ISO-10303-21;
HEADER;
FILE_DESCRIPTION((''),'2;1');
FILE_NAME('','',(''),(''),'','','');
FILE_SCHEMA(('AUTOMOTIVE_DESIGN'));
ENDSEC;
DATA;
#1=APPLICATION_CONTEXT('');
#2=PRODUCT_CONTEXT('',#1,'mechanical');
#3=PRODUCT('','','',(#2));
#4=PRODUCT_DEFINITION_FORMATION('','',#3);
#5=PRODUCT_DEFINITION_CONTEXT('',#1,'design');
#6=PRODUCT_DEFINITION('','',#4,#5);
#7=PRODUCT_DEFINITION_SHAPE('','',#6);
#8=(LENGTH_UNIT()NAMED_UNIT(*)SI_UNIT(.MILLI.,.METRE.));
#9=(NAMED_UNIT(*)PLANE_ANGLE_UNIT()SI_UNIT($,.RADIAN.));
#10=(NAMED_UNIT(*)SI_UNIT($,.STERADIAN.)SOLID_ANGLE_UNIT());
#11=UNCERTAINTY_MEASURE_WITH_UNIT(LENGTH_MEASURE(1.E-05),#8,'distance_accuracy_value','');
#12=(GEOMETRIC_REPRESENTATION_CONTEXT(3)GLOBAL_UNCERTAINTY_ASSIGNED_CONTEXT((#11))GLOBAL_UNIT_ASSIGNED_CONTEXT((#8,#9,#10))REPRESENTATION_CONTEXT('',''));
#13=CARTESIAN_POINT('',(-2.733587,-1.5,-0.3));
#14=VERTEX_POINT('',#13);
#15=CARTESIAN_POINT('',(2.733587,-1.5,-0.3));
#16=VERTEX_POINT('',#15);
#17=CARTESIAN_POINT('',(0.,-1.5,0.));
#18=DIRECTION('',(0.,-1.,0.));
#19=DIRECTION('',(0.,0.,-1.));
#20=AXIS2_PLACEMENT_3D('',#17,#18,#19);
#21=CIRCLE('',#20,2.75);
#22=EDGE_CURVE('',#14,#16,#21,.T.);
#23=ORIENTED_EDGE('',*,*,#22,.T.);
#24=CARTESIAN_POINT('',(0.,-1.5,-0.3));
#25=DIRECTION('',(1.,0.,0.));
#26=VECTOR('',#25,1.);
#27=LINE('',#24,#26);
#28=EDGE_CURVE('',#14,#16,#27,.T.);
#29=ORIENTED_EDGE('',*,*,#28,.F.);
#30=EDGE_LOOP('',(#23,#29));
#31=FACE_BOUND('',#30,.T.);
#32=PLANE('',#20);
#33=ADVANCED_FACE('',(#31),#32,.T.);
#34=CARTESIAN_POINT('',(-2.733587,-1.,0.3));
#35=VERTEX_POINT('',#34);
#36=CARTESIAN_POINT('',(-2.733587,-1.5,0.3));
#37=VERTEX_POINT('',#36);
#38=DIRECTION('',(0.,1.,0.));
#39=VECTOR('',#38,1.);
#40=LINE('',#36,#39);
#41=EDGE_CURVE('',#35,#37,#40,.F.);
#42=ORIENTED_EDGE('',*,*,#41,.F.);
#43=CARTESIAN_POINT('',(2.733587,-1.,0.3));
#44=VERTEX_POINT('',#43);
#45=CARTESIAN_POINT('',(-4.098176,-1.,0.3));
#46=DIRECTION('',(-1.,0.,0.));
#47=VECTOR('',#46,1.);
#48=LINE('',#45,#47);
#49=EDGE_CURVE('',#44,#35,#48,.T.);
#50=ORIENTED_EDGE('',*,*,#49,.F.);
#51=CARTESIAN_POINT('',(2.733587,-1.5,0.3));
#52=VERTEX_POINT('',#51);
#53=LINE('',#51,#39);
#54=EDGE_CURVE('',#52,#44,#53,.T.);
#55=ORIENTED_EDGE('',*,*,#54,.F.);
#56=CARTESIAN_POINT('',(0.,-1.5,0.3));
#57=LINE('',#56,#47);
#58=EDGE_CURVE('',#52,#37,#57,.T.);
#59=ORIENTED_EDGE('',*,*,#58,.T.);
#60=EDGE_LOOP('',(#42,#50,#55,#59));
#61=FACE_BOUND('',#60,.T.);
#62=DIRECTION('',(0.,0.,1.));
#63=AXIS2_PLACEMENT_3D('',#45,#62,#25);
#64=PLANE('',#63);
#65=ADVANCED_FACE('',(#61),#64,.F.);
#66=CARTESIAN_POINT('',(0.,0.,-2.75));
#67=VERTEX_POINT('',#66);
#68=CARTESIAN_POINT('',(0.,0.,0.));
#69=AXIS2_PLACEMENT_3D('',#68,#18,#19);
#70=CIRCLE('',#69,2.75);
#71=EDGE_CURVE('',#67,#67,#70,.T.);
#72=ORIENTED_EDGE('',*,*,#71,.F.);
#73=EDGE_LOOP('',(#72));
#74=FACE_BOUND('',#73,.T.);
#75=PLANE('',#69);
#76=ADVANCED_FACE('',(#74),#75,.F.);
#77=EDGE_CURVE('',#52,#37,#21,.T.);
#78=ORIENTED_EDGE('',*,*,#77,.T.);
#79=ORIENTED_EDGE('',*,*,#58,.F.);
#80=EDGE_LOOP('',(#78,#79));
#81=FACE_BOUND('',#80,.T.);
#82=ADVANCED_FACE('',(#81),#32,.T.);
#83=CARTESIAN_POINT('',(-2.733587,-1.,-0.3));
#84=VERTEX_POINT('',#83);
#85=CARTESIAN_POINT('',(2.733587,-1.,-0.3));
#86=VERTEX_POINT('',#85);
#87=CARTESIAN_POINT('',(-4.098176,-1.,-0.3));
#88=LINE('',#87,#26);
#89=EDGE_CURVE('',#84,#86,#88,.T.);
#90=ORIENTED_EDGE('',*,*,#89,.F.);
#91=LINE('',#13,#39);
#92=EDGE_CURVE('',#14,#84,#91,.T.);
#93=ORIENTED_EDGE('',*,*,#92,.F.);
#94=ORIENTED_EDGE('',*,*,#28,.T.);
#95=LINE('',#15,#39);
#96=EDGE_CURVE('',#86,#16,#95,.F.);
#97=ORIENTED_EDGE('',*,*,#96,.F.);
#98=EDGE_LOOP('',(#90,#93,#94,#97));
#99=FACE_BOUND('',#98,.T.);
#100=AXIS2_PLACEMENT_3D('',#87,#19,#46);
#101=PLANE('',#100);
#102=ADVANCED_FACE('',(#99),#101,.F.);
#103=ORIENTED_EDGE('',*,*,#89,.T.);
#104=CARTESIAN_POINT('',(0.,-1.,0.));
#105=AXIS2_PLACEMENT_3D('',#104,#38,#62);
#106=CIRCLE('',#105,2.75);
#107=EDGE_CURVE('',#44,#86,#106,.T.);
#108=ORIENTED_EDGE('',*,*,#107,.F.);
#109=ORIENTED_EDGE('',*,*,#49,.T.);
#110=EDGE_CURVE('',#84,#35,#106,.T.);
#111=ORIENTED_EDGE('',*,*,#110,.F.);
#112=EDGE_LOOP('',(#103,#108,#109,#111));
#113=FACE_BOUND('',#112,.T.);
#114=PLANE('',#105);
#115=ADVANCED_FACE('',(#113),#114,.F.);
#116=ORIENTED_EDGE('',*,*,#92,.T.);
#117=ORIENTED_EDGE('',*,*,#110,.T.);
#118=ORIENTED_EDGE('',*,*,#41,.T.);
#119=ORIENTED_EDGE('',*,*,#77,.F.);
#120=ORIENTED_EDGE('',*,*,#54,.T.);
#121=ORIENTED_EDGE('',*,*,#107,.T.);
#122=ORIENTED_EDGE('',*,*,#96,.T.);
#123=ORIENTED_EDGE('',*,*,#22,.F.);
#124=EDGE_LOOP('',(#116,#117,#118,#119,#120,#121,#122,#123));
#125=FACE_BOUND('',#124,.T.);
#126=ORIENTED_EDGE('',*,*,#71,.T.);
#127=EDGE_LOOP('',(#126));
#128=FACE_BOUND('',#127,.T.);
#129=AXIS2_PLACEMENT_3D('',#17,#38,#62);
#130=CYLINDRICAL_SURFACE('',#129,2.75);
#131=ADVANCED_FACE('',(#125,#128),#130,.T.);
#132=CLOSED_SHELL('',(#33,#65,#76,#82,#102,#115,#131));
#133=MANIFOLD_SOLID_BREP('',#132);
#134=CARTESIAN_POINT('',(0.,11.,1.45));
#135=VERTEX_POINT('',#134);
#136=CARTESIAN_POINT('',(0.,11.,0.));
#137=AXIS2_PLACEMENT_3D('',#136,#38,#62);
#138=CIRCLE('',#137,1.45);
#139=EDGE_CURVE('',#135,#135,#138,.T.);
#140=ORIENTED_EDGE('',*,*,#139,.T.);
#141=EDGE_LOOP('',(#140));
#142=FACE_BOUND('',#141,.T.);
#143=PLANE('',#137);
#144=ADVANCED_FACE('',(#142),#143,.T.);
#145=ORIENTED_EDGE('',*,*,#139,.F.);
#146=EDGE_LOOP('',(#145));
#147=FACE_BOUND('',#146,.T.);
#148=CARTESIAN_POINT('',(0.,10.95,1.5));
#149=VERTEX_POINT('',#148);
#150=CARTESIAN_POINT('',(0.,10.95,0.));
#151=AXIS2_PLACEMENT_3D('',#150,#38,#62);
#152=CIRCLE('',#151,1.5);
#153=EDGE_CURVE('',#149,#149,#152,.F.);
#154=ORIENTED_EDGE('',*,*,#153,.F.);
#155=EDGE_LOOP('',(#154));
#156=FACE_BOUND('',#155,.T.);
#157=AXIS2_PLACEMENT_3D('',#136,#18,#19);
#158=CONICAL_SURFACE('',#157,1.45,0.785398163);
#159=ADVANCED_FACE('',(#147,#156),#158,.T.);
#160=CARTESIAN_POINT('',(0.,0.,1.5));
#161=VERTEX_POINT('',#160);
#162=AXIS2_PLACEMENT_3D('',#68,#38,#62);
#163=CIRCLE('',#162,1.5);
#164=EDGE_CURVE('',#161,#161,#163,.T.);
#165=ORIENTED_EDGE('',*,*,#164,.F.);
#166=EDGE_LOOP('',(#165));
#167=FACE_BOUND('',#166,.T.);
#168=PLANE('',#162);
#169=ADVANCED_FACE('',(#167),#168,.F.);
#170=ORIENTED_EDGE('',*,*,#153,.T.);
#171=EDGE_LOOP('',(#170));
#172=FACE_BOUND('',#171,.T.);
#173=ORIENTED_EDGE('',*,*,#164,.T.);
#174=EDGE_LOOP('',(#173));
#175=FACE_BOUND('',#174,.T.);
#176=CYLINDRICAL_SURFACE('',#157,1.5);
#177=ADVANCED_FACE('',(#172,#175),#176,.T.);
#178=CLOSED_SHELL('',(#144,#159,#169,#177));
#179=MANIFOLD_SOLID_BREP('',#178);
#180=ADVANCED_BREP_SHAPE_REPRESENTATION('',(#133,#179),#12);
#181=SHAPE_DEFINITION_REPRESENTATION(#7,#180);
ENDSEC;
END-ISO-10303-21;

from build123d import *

# Parameters (mm, degrees)
SKETCH1_R           = 1.5
BOSS_EXTRUDE1_DEPTH = 11
SKETCH2_R           = 2.75
BOSS_EXTRUDE2_DEPTH = 1.5
SKETCH3_W           = 8.196351728
SKETCH3_H           = 0.6
CUT_EXTRUDE1_DEPTH  = 0.5
CHAMFER1_SIZE       = 0.05


with BuildPart() as part:
    # Sketch1 → Boss-Extrude1 (new body)
    with BuildSketch(Plane(origin=(0, 0, 0), x_dir=(1, 0, 0), z_dir=(0, 1, 0))):
        Circle(SKETCH1_R)
    extrude(amount=BOSS_EXTRUDE1_DEPTH)

    # Chamfer1
    chamfer1_edges = [part.edges().sort_by_distance(p)[0] for p in [
        (-1.5, 11, 0),
    ]]
    chamfer(chamfer1_edges, length=CHAMFER1_SIZE)


with BuildPart() as body_2:
    # Sketch2 → Boss-Extrude2 (new body)
    with BuildSketch(Plane.XZ):
        Circle(SKETCH2_R)
    extrude(amount=BOSS_EXTRUDE2_DEPTH)

    # Sketch3 → Cut-Extrude1 (cut)
    with BuildSketch(Plane.XZ.offset(1.5)):
        Rectangle(SKETCH3_W, SKETCH3_H)
    extrude(amount=-CUT_EXTRUDE1_DEPTH, mode=Mode.SUBTRACT)


solid = Compound([part.part, body_2.part])
